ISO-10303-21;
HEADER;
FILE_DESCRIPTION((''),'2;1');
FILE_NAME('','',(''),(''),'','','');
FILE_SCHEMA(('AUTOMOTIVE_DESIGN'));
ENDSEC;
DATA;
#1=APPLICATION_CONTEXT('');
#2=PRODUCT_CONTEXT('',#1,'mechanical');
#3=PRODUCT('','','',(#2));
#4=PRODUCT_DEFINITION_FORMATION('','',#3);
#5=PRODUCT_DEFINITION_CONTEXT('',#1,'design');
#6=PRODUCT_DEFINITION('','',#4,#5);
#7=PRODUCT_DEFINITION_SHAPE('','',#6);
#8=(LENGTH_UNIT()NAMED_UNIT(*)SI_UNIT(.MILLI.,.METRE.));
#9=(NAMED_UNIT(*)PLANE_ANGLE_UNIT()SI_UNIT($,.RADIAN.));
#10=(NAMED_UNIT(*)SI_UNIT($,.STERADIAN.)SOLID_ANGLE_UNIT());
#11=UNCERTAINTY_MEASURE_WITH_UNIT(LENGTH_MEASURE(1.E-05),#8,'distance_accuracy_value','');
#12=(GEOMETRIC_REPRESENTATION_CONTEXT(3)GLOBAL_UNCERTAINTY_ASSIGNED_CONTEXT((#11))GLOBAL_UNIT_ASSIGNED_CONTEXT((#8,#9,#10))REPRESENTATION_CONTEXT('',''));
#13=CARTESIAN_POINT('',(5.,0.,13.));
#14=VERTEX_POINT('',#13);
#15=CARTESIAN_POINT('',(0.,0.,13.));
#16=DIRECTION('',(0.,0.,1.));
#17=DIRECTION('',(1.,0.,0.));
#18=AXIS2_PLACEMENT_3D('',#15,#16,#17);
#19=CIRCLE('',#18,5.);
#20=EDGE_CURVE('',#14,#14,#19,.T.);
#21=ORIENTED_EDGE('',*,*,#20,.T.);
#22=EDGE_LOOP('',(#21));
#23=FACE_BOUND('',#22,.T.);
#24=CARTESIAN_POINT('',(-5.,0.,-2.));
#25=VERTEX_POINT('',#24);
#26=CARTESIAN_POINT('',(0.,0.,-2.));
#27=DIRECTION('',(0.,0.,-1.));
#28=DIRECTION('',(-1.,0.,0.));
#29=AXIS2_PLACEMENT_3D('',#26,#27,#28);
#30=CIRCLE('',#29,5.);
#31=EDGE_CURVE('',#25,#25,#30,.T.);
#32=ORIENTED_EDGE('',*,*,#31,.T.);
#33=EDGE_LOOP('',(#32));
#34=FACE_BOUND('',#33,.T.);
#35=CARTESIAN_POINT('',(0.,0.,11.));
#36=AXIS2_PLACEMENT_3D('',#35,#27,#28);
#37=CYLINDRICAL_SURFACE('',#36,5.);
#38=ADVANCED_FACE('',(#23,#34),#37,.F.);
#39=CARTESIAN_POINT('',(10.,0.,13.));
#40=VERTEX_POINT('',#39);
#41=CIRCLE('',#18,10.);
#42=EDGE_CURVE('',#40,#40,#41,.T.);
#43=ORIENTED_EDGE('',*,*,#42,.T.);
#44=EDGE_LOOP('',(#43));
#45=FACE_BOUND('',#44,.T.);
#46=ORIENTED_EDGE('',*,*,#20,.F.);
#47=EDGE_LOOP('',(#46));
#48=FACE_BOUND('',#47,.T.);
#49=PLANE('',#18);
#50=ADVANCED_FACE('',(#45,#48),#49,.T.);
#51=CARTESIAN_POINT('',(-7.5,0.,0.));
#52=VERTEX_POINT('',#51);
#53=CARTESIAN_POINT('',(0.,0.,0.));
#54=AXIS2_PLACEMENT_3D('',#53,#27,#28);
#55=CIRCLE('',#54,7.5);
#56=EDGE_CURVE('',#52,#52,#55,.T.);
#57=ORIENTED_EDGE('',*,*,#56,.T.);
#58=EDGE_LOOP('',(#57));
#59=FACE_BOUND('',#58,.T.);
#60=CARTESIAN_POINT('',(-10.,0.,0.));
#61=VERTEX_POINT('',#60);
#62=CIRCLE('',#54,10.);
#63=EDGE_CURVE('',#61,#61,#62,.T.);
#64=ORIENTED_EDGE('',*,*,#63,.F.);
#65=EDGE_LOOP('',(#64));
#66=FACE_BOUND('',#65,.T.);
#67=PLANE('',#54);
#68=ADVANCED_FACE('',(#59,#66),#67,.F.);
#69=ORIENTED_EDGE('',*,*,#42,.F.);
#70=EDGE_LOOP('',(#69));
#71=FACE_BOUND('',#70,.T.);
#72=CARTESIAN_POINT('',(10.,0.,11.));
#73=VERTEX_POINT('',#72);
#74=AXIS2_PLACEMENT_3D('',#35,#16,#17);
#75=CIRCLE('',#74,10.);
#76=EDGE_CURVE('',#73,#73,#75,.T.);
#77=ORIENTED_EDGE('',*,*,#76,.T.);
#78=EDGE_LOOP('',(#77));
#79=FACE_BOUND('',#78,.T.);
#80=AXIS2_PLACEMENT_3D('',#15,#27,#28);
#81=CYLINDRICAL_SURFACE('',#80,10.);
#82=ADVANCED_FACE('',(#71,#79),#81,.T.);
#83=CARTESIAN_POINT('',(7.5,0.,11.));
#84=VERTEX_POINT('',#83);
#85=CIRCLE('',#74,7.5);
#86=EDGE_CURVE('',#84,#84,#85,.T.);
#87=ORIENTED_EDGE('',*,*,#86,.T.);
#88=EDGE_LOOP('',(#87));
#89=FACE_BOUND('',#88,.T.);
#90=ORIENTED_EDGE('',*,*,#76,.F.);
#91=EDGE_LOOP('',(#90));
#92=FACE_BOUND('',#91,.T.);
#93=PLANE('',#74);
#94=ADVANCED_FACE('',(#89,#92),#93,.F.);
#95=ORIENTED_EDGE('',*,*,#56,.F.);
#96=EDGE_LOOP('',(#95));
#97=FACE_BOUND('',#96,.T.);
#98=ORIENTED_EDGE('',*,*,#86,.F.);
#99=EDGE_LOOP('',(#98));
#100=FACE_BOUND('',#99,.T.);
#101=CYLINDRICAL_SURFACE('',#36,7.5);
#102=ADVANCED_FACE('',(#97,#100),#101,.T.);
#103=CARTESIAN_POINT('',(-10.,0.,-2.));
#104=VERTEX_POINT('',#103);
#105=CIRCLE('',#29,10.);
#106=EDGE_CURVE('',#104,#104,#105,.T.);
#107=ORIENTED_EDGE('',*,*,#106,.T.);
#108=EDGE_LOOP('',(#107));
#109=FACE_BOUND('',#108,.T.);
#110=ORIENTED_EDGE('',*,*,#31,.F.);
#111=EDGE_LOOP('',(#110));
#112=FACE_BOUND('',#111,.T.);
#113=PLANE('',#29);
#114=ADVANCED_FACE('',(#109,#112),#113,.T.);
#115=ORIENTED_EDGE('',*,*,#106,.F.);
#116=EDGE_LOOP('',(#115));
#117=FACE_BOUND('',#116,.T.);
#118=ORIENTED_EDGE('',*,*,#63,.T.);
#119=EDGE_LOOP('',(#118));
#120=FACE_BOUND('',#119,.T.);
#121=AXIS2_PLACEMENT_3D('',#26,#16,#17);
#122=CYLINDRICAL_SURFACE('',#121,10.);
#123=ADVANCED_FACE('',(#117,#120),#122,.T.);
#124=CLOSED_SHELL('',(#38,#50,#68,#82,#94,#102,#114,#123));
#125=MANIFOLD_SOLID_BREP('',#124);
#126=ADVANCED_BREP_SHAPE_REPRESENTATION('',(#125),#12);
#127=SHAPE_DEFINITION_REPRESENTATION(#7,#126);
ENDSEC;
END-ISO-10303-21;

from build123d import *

# Parameters (mm, degrees)
SKETCH1_R           = 7.5
SKETCH1_R_2         = 5
BOSS_EXTRUDE1_DEPTH = 11
SKETCH2_R           = 10
SKETCH2_R_2         = 5
BOSS_EXTRUDE2_DEPTH = 2
BOSS_EXTRUDE3_START = 2
SKETCH3_R           = 10
SKETCH3_R_2         = 5
BOSS_EXTRUDE3_DEPTH = 2


with BuildPart() as part:
    # Sketch1 → Boss-Extrude1 (new body)
    with BuildSketch(Plane.XY):
        Circle(SKETCH1_R)
        Circle(SKETCH1_R_2, mode=Mode.SUBTRACT)
    extrude(amount=BOSS_EXTRUDE1_DEPTH)

    # Sketch2 → Boss-Extrude2 (add)
    with BuildSketch(Plane.XY.offset(11)):
        Circle(SKETCH2_R)
        Circle(SKETCH2_R_2, mode=Mode.SUBTRACT)
    extrude(amount=BOSS_EXTRUDE2_DEPTH)

    # Sketch3 → Boss-Extrude3 (add)
    with BuildSketch(Plane(origin=(0, 0, 0), x_dir=(-1, 0, 0), z_dir=(0, 0, -1)).offset(BOSS_EXTRUDE3_START)):
        with Locations(Location((0, 0, 0), (0, 0, 180))):
            Circle(SKETCH3_R)
        Circle(SKETCH3_R_2, mode=Mode.SUBTRACT)
    extrude(amount=-BOSS_EXTRUDE3_DEPTH)


solid = part.part
